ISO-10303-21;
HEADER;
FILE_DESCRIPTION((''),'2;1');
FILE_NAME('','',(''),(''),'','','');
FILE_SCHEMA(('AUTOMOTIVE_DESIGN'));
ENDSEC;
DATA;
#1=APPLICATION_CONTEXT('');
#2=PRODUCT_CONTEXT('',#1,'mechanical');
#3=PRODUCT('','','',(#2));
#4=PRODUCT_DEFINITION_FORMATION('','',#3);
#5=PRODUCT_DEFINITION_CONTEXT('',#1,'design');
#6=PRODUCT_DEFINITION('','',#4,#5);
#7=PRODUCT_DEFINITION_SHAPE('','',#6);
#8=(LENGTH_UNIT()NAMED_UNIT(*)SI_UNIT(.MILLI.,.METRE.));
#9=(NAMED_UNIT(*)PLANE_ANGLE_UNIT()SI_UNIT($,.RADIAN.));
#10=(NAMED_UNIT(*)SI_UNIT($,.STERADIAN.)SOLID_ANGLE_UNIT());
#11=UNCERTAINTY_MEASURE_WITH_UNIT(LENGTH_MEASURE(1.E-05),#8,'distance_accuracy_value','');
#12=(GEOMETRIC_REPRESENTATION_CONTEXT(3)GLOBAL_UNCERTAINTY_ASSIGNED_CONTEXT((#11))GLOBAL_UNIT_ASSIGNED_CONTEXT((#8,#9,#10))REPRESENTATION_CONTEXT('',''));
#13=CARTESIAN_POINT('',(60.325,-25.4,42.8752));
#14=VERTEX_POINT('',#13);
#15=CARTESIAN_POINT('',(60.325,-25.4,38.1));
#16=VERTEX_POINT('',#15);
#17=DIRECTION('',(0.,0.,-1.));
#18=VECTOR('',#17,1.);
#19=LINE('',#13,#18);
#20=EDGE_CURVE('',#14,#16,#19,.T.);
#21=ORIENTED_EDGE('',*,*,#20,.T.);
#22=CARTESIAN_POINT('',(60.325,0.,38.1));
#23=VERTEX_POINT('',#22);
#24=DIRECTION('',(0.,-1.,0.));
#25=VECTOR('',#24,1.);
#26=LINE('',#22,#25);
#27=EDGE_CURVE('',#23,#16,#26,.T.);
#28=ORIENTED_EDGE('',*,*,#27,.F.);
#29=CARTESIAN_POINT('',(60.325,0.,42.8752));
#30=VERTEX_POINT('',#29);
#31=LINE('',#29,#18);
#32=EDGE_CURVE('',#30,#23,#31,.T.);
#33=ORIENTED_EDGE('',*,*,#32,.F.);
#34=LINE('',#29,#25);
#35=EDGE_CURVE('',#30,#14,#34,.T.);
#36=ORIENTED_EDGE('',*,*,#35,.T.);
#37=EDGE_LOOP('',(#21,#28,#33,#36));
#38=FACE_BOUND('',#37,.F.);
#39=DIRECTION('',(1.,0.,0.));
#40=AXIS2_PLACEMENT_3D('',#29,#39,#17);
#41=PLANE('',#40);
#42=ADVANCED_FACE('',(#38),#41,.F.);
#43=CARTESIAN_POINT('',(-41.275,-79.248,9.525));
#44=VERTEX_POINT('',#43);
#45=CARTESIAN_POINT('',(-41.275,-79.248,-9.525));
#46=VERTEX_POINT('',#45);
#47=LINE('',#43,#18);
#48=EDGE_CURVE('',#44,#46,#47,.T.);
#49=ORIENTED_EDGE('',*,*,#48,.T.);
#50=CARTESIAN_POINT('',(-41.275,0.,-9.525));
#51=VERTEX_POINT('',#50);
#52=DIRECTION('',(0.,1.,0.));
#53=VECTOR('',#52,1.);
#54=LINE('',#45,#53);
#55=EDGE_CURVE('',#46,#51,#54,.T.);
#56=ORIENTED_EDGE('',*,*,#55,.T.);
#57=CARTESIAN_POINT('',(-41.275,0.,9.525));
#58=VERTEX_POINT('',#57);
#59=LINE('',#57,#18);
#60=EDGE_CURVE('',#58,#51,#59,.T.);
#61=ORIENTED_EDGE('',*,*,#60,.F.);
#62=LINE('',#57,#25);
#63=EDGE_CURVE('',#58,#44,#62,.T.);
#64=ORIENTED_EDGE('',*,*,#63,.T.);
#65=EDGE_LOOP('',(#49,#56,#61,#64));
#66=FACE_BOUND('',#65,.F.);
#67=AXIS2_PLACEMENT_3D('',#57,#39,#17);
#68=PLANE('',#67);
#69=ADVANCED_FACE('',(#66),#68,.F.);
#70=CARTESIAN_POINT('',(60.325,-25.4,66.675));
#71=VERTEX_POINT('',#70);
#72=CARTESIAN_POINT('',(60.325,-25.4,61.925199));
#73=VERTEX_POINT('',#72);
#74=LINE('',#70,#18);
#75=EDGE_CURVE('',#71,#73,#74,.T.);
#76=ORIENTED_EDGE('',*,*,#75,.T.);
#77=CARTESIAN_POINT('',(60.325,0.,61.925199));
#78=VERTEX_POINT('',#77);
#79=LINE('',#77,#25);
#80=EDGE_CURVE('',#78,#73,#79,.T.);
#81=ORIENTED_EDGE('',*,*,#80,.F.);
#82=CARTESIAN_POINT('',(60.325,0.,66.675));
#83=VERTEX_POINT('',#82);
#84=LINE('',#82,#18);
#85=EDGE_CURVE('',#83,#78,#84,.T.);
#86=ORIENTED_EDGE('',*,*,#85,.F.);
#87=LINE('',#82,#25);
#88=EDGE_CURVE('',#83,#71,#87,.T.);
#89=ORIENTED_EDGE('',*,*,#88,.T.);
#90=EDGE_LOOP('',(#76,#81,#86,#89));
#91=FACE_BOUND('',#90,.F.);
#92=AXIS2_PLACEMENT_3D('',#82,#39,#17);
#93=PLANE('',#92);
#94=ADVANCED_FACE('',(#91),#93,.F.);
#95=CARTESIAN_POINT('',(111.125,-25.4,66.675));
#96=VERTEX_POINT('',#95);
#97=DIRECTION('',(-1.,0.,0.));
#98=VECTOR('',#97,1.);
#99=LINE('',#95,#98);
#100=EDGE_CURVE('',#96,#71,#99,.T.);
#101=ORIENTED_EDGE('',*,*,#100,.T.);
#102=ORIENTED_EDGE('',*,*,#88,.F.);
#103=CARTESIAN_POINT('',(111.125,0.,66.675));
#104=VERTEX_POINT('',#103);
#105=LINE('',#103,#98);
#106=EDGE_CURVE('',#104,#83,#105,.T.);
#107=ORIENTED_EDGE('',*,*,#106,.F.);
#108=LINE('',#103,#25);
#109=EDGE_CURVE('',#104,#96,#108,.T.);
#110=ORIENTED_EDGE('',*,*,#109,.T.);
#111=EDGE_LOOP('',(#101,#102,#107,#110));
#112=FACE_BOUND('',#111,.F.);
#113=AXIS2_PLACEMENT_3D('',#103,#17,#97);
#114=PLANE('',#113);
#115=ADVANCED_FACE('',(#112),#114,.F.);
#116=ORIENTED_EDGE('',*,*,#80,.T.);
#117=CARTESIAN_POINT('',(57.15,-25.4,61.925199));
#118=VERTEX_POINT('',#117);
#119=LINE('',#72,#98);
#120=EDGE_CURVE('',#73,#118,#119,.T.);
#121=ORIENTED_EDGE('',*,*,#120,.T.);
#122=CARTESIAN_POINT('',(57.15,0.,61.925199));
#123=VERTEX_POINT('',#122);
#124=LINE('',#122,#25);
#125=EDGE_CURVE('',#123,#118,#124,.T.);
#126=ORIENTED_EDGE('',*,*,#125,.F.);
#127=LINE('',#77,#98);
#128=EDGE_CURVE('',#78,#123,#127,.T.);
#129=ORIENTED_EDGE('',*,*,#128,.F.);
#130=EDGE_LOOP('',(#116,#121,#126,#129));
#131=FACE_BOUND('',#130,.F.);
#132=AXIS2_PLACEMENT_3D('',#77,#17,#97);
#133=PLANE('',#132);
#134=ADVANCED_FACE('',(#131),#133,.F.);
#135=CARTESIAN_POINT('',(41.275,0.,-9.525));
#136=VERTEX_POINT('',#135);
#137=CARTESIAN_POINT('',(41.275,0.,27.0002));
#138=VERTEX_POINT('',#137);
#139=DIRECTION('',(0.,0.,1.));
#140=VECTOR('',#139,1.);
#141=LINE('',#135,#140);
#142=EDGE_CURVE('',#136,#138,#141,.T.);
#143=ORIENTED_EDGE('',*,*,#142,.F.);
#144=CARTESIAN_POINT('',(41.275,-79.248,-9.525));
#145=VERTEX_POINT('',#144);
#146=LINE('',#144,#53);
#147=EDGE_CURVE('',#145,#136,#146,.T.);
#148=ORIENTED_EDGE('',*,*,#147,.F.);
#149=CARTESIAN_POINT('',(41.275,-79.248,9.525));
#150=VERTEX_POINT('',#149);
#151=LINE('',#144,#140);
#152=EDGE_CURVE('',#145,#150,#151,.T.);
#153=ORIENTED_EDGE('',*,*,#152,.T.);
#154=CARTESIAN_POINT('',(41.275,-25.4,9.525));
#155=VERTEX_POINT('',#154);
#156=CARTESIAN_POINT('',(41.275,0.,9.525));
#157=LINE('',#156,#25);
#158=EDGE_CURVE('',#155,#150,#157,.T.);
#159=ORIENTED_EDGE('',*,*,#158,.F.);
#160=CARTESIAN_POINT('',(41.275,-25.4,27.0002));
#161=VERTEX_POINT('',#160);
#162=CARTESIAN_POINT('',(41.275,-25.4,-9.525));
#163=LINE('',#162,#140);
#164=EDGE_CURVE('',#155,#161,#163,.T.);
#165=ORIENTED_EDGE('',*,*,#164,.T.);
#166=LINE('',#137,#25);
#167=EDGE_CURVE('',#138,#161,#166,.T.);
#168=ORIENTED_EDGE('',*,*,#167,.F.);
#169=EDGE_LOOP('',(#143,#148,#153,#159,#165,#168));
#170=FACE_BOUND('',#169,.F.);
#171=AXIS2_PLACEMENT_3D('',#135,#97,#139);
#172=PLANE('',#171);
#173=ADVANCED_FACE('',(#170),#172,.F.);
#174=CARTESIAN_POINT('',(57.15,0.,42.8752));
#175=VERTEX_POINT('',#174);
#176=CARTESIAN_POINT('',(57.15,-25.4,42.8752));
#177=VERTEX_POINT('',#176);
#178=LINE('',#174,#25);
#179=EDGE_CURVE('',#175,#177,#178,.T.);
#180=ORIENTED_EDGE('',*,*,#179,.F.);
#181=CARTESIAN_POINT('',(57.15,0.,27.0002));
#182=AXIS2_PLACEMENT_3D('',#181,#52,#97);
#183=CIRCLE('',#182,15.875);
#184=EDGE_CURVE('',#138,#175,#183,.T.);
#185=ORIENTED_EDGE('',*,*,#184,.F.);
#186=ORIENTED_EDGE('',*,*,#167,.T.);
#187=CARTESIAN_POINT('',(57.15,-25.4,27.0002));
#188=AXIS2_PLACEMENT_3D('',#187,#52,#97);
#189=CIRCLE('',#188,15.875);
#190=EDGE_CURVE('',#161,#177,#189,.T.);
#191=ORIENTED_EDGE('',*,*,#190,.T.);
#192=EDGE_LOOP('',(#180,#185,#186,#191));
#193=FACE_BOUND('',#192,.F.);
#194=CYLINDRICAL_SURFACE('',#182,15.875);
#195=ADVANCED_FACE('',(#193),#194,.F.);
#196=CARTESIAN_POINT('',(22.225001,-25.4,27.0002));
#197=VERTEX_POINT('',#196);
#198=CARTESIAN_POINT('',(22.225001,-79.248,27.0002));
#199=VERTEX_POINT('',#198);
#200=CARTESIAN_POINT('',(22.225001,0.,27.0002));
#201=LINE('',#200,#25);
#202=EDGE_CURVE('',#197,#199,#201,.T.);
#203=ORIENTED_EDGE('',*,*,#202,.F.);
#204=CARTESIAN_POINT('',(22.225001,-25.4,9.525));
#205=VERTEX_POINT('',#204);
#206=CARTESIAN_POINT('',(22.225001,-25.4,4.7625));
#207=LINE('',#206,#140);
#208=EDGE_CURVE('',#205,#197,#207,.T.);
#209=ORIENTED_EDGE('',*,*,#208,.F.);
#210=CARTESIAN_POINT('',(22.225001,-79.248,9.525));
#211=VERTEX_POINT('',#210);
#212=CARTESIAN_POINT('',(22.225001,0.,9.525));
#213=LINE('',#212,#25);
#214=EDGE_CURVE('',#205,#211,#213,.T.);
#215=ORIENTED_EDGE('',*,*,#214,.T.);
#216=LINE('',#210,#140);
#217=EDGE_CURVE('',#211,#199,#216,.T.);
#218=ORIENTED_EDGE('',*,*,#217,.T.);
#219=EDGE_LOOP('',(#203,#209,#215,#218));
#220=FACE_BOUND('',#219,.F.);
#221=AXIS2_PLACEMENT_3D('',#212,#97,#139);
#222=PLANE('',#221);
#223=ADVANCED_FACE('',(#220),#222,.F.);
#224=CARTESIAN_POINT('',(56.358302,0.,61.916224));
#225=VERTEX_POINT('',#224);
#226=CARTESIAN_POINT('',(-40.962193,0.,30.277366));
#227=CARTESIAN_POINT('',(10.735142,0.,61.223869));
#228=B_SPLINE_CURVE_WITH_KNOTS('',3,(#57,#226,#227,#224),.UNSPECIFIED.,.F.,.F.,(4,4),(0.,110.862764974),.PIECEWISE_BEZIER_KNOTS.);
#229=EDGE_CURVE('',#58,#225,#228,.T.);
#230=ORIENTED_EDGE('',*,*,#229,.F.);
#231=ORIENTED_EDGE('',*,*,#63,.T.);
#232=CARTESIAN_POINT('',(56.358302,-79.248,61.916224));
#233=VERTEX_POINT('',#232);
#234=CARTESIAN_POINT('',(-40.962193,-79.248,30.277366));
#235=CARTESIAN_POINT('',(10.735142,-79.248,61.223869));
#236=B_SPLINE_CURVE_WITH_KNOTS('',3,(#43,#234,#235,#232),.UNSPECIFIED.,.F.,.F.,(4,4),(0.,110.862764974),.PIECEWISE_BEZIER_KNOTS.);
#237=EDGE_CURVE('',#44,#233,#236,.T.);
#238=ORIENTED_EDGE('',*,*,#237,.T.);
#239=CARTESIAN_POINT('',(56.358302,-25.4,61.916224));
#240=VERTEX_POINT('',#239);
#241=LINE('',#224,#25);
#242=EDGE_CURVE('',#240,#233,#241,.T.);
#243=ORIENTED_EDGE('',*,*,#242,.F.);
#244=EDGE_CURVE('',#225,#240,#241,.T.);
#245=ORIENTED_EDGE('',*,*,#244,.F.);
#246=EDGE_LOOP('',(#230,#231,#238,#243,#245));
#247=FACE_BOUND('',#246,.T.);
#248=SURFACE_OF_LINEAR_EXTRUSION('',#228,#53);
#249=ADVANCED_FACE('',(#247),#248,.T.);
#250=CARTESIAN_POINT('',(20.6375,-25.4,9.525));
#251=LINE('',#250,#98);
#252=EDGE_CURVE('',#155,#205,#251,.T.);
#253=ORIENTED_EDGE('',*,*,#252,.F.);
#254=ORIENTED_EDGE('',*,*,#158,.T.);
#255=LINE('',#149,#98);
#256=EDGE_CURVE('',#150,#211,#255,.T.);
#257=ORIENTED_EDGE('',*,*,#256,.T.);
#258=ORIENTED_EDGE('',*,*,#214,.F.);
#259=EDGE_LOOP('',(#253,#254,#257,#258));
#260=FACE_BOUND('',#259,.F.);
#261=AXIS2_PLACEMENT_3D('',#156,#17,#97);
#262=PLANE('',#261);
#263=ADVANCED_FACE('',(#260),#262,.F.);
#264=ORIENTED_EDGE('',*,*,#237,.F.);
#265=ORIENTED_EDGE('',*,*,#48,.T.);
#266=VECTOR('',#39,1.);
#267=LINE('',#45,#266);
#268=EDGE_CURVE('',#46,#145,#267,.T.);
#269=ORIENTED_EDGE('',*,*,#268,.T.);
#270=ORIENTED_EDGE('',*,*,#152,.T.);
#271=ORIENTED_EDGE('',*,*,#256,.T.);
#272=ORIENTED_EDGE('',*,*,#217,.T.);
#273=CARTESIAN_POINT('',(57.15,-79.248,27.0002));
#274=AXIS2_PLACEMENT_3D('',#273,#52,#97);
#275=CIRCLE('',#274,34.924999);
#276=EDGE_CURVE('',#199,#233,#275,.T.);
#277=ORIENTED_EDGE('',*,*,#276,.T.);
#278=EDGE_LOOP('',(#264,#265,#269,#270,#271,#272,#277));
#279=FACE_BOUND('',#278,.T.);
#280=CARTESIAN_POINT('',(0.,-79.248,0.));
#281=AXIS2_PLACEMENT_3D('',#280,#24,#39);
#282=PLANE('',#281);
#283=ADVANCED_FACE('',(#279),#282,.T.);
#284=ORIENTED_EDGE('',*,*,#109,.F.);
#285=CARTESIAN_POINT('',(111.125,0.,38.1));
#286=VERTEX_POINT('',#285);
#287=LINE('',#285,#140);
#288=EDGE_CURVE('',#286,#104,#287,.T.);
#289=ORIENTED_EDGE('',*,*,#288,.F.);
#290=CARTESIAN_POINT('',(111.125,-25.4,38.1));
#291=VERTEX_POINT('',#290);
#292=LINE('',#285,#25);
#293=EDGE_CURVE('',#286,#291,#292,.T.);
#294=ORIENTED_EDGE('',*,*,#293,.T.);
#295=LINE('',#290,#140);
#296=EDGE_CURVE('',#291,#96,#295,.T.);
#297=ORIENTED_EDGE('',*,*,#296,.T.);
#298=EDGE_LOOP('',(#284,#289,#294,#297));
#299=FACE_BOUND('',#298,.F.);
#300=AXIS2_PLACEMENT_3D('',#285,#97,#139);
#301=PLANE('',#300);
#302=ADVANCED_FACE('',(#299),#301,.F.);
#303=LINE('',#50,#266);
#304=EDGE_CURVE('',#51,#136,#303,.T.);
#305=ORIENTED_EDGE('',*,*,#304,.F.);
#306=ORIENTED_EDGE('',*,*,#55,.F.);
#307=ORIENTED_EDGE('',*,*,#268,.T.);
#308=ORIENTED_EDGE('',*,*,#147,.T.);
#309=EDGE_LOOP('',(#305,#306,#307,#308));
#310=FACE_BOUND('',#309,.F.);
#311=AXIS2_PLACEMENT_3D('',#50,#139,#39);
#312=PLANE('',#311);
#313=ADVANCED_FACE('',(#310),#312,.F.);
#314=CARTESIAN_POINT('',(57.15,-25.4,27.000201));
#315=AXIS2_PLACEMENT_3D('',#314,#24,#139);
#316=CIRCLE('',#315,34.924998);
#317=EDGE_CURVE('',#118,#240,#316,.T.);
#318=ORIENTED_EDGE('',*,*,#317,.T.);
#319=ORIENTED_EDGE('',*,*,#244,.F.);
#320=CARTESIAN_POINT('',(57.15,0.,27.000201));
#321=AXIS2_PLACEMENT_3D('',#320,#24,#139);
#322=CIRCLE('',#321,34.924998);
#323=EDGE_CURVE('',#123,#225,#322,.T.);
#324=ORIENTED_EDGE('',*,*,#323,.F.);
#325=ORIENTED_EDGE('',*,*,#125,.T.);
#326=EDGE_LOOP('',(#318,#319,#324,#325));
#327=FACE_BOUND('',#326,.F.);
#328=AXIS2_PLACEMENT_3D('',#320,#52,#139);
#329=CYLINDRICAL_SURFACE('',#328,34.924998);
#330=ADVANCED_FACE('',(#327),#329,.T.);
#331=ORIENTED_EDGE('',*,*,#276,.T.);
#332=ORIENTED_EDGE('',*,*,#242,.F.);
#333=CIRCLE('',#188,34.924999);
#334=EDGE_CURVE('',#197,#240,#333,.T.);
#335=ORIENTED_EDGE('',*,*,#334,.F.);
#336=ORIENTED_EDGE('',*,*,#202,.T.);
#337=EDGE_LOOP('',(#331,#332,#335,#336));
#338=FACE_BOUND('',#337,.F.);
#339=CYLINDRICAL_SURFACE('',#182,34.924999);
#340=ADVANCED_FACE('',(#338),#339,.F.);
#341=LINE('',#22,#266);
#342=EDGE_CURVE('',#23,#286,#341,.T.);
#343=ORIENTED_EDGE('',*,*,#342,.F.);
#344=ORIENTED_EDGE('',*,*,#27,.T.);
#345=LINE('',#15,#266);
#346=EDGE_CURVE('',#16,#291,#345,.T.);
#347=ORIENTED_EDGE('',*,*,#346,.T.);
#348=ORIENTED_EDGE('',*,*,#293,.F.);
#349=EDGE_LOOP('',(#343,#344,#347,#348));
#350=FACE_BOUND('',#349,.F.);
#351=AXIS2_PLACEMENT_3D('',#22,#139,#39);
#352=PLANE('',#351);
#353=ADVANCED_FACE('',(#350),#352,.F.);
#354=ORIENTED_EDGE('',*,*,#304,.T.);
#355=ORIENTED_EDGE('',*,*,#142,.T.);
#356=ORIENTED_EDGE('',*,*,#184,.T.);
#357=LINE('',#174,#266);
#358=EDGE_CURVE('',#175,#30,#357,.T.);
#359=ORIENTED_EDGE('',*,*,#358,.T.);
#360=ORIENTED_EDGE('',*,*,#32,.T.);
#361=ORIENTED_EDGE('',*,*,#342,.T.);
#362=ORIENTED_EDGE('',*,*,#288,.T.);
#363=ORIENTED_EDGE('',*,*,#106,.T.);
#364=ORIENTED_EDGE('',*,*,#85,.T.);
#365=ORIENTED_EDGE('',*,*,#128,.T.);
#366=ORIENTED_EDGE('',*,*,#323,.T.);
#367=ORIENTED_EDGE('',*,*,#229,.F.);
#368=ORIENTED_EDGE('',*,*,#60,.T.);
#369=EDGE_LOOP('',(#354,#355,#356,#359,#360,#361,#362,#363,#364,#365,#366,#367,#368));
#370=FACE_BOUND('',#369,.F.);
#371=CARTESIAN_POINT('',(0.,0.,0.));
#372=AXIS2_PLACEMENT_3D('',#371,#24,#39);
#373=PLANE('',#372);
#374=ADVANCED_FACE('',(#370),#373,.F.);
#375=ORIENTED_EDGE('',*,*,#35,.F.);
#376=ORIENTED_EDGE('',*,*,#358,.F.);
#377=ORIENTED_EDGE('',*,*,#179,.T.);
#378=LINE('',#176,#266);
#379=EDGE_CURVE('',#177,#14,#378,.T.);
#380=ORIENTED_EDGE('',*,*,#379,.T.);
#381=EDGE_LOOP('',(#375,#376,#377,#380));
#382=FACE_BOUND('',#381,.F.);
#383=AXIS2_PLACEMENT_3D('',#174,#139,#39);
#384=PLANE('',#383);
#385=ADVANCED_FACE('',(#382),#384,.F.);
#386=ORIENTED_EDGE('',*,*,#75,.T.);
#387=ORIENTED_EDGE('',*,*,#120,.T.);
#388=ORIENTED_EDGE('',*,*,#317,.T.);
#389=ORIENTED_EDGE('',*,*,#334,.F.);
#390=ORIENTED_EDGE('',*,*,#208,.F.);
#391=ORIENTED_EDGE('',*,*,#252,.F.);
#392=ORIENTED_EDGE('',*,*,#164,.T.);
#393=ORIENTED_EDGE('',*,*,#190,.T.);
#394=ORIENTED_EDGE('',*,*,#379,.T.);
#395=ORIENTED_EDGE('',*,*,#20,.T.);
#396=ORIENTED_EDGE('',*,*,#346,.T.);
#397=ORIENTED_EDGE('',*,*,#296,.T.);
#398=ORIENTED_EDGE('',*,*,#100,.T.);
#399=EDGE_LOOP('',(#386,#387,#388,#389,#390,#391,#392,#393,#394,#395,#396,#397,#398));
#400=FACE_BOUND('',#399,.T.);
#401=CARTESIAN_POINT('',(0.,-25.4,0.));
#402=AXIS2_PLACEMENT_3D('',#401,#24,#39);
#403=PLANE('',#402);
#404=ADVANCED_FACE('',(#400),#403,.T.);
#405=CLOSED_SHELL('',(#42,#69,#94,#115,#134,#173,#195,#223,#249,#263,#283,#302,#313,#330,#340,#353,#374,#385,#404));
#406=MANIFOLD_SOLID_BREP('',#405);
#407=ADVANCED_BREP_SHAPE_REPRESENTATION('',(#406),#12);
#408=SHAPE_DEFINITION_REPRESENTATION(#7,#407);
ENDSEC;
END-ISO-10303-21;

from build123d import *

# Parameters (mm, degrees)
F2_DEPTH = 79.248
F0_W     = 25.4
F0_H     = 19.0499988828
F3_DEPTH = 25.4


with BuildPart() as f2:
    # F0 (on Front) → F2 (new body)
    with BuildSketch(Plane.XZ):
        Polygon((41.275, -9.525), (41.275, 9.525), (22.2250011172, 9.525), (-41.275, 9.525), (-41.275, -9.525), align=None)
        with BuildLine():
            Line((-41.275, 9.525), (22.2250011172, 9.525))
            Line((22.2250011172, 9.525), (22.2250011172, 27.0002))
            ThreePointArc((22.2250011172, 27.0002), (32.1759573239, 51.4143913521), (56.358301529, 61.9162244085))
            add(Edge.make_bspline(
                [(-41.275, 9.525), (-40.962193468, 30.2773661311), (10.7351419733, 61.2238694952), (56.358301529, 61.9162244085)],
                knots=[0, 0, 0, 0, 110.8627649737, 110.8627649737, 110.8627649737, 110.8627649737], degree=3))
        make_face()
    extrude(amount=F2_DEPTH)

    # F0 (on Front) → F3 (join)
    with BuildSketch(Plane.XZ):
        Polygon((41.275, -9.525), (41.275, 9.525), (22.2250011172, 9.525), (-41.275, 9.525), (-41.275, -9.525), align=None)
        with BuildLine():
            Line((22.2250011172, 9.525), (41.275, 9.525))
            Line((41.275, 9.525), (41.275, 27.0002))
            ThreePointArc((41.275, 27.0002), (45.9246798487, 38.2255201513), (57.15, 42.8752))
            Line((57.15, 42.8752), (60.325, 42.8752))
            Line((60.325, 42.8752), (60.325, 61.9251988828))
            Line((60.325, 61.9251988828), (57.15, 61.9251988828))
            add(Edge.make_bspline(
                [(56.358301529, 61.9162244085), (56.622408287, 61.9202323644), (56.8863114928, 61.9232264714), (57.15, 61.9251988828)],
                knots=[110.8627649737, 110.8627649737, 110.8627649737, 110.8627649737, 111.5045356385, 111.5045356385, 111.5045356385, 111.5045356385], degree=3))
            ThreePointArc((56.358301529, 61.9162244085), (32.1759573239, 51.4143913521), (22.2250011172, 27.0002))
            Line((22.2250011172, 27.0002), (22.2250011172, 9.525))
        make_face()
        with BuildLine():
            Line((-41.275, 9.525), (22.2250011172, 9.525))
            Line((22.2250011172, 9.525), (22.2250011172, 27.0002))
            ThreePointArc((22.2250011172, 27.0002), (32.1759573239, 51.4143913521), (56.358301529, 61.9162244085))
            add(Edge.make_bspline(
                [(-41.275, 9.525), (-40.962193468, 30.2773661311), (10.7351419733, 61.2238694952), (56.358301529, 61.9162244085)],
                knots=[0, 0, 0, 0, 110.8627649737, 110.8627649737, 110.8627649737, 110.8627649737], degree=3))
        make_face()
        with BuildLine():
            ThreePointArc((57.15, 61.9251988828), (56.7541253323, 61.9229551922), (56.358301529, 61.9162244085))
            add(Edge.make_bspline(
                [(56.358301529, 61.9162244085), (56.622408287, 61.9202323644), (56.8863114928, 61.9232264714), (57.15, 61.9251988828)],
                knots=[110.8627649737, 110.8627649737, 110.8627649737, 110.8627649737, 111.5045356385, 111.5045356385, 111.5045356385, 111.5045356385], degree=3))
        make_face()
        Polygon((85.725, 42.8752), (60.325, 42.8752), (60.325, 38.1), (111.125, 38.1), (111.125, 66.675), (60.325, 66.675), (60.325, 61.9251988828), (85.725, 61.9251988828), align=None)
        with Locations((73.025, 52.4001994414)):
            Rectangle(F0_W, F0_H)
    extrude(amount=F3_DEPTH)


solid = f2.part
